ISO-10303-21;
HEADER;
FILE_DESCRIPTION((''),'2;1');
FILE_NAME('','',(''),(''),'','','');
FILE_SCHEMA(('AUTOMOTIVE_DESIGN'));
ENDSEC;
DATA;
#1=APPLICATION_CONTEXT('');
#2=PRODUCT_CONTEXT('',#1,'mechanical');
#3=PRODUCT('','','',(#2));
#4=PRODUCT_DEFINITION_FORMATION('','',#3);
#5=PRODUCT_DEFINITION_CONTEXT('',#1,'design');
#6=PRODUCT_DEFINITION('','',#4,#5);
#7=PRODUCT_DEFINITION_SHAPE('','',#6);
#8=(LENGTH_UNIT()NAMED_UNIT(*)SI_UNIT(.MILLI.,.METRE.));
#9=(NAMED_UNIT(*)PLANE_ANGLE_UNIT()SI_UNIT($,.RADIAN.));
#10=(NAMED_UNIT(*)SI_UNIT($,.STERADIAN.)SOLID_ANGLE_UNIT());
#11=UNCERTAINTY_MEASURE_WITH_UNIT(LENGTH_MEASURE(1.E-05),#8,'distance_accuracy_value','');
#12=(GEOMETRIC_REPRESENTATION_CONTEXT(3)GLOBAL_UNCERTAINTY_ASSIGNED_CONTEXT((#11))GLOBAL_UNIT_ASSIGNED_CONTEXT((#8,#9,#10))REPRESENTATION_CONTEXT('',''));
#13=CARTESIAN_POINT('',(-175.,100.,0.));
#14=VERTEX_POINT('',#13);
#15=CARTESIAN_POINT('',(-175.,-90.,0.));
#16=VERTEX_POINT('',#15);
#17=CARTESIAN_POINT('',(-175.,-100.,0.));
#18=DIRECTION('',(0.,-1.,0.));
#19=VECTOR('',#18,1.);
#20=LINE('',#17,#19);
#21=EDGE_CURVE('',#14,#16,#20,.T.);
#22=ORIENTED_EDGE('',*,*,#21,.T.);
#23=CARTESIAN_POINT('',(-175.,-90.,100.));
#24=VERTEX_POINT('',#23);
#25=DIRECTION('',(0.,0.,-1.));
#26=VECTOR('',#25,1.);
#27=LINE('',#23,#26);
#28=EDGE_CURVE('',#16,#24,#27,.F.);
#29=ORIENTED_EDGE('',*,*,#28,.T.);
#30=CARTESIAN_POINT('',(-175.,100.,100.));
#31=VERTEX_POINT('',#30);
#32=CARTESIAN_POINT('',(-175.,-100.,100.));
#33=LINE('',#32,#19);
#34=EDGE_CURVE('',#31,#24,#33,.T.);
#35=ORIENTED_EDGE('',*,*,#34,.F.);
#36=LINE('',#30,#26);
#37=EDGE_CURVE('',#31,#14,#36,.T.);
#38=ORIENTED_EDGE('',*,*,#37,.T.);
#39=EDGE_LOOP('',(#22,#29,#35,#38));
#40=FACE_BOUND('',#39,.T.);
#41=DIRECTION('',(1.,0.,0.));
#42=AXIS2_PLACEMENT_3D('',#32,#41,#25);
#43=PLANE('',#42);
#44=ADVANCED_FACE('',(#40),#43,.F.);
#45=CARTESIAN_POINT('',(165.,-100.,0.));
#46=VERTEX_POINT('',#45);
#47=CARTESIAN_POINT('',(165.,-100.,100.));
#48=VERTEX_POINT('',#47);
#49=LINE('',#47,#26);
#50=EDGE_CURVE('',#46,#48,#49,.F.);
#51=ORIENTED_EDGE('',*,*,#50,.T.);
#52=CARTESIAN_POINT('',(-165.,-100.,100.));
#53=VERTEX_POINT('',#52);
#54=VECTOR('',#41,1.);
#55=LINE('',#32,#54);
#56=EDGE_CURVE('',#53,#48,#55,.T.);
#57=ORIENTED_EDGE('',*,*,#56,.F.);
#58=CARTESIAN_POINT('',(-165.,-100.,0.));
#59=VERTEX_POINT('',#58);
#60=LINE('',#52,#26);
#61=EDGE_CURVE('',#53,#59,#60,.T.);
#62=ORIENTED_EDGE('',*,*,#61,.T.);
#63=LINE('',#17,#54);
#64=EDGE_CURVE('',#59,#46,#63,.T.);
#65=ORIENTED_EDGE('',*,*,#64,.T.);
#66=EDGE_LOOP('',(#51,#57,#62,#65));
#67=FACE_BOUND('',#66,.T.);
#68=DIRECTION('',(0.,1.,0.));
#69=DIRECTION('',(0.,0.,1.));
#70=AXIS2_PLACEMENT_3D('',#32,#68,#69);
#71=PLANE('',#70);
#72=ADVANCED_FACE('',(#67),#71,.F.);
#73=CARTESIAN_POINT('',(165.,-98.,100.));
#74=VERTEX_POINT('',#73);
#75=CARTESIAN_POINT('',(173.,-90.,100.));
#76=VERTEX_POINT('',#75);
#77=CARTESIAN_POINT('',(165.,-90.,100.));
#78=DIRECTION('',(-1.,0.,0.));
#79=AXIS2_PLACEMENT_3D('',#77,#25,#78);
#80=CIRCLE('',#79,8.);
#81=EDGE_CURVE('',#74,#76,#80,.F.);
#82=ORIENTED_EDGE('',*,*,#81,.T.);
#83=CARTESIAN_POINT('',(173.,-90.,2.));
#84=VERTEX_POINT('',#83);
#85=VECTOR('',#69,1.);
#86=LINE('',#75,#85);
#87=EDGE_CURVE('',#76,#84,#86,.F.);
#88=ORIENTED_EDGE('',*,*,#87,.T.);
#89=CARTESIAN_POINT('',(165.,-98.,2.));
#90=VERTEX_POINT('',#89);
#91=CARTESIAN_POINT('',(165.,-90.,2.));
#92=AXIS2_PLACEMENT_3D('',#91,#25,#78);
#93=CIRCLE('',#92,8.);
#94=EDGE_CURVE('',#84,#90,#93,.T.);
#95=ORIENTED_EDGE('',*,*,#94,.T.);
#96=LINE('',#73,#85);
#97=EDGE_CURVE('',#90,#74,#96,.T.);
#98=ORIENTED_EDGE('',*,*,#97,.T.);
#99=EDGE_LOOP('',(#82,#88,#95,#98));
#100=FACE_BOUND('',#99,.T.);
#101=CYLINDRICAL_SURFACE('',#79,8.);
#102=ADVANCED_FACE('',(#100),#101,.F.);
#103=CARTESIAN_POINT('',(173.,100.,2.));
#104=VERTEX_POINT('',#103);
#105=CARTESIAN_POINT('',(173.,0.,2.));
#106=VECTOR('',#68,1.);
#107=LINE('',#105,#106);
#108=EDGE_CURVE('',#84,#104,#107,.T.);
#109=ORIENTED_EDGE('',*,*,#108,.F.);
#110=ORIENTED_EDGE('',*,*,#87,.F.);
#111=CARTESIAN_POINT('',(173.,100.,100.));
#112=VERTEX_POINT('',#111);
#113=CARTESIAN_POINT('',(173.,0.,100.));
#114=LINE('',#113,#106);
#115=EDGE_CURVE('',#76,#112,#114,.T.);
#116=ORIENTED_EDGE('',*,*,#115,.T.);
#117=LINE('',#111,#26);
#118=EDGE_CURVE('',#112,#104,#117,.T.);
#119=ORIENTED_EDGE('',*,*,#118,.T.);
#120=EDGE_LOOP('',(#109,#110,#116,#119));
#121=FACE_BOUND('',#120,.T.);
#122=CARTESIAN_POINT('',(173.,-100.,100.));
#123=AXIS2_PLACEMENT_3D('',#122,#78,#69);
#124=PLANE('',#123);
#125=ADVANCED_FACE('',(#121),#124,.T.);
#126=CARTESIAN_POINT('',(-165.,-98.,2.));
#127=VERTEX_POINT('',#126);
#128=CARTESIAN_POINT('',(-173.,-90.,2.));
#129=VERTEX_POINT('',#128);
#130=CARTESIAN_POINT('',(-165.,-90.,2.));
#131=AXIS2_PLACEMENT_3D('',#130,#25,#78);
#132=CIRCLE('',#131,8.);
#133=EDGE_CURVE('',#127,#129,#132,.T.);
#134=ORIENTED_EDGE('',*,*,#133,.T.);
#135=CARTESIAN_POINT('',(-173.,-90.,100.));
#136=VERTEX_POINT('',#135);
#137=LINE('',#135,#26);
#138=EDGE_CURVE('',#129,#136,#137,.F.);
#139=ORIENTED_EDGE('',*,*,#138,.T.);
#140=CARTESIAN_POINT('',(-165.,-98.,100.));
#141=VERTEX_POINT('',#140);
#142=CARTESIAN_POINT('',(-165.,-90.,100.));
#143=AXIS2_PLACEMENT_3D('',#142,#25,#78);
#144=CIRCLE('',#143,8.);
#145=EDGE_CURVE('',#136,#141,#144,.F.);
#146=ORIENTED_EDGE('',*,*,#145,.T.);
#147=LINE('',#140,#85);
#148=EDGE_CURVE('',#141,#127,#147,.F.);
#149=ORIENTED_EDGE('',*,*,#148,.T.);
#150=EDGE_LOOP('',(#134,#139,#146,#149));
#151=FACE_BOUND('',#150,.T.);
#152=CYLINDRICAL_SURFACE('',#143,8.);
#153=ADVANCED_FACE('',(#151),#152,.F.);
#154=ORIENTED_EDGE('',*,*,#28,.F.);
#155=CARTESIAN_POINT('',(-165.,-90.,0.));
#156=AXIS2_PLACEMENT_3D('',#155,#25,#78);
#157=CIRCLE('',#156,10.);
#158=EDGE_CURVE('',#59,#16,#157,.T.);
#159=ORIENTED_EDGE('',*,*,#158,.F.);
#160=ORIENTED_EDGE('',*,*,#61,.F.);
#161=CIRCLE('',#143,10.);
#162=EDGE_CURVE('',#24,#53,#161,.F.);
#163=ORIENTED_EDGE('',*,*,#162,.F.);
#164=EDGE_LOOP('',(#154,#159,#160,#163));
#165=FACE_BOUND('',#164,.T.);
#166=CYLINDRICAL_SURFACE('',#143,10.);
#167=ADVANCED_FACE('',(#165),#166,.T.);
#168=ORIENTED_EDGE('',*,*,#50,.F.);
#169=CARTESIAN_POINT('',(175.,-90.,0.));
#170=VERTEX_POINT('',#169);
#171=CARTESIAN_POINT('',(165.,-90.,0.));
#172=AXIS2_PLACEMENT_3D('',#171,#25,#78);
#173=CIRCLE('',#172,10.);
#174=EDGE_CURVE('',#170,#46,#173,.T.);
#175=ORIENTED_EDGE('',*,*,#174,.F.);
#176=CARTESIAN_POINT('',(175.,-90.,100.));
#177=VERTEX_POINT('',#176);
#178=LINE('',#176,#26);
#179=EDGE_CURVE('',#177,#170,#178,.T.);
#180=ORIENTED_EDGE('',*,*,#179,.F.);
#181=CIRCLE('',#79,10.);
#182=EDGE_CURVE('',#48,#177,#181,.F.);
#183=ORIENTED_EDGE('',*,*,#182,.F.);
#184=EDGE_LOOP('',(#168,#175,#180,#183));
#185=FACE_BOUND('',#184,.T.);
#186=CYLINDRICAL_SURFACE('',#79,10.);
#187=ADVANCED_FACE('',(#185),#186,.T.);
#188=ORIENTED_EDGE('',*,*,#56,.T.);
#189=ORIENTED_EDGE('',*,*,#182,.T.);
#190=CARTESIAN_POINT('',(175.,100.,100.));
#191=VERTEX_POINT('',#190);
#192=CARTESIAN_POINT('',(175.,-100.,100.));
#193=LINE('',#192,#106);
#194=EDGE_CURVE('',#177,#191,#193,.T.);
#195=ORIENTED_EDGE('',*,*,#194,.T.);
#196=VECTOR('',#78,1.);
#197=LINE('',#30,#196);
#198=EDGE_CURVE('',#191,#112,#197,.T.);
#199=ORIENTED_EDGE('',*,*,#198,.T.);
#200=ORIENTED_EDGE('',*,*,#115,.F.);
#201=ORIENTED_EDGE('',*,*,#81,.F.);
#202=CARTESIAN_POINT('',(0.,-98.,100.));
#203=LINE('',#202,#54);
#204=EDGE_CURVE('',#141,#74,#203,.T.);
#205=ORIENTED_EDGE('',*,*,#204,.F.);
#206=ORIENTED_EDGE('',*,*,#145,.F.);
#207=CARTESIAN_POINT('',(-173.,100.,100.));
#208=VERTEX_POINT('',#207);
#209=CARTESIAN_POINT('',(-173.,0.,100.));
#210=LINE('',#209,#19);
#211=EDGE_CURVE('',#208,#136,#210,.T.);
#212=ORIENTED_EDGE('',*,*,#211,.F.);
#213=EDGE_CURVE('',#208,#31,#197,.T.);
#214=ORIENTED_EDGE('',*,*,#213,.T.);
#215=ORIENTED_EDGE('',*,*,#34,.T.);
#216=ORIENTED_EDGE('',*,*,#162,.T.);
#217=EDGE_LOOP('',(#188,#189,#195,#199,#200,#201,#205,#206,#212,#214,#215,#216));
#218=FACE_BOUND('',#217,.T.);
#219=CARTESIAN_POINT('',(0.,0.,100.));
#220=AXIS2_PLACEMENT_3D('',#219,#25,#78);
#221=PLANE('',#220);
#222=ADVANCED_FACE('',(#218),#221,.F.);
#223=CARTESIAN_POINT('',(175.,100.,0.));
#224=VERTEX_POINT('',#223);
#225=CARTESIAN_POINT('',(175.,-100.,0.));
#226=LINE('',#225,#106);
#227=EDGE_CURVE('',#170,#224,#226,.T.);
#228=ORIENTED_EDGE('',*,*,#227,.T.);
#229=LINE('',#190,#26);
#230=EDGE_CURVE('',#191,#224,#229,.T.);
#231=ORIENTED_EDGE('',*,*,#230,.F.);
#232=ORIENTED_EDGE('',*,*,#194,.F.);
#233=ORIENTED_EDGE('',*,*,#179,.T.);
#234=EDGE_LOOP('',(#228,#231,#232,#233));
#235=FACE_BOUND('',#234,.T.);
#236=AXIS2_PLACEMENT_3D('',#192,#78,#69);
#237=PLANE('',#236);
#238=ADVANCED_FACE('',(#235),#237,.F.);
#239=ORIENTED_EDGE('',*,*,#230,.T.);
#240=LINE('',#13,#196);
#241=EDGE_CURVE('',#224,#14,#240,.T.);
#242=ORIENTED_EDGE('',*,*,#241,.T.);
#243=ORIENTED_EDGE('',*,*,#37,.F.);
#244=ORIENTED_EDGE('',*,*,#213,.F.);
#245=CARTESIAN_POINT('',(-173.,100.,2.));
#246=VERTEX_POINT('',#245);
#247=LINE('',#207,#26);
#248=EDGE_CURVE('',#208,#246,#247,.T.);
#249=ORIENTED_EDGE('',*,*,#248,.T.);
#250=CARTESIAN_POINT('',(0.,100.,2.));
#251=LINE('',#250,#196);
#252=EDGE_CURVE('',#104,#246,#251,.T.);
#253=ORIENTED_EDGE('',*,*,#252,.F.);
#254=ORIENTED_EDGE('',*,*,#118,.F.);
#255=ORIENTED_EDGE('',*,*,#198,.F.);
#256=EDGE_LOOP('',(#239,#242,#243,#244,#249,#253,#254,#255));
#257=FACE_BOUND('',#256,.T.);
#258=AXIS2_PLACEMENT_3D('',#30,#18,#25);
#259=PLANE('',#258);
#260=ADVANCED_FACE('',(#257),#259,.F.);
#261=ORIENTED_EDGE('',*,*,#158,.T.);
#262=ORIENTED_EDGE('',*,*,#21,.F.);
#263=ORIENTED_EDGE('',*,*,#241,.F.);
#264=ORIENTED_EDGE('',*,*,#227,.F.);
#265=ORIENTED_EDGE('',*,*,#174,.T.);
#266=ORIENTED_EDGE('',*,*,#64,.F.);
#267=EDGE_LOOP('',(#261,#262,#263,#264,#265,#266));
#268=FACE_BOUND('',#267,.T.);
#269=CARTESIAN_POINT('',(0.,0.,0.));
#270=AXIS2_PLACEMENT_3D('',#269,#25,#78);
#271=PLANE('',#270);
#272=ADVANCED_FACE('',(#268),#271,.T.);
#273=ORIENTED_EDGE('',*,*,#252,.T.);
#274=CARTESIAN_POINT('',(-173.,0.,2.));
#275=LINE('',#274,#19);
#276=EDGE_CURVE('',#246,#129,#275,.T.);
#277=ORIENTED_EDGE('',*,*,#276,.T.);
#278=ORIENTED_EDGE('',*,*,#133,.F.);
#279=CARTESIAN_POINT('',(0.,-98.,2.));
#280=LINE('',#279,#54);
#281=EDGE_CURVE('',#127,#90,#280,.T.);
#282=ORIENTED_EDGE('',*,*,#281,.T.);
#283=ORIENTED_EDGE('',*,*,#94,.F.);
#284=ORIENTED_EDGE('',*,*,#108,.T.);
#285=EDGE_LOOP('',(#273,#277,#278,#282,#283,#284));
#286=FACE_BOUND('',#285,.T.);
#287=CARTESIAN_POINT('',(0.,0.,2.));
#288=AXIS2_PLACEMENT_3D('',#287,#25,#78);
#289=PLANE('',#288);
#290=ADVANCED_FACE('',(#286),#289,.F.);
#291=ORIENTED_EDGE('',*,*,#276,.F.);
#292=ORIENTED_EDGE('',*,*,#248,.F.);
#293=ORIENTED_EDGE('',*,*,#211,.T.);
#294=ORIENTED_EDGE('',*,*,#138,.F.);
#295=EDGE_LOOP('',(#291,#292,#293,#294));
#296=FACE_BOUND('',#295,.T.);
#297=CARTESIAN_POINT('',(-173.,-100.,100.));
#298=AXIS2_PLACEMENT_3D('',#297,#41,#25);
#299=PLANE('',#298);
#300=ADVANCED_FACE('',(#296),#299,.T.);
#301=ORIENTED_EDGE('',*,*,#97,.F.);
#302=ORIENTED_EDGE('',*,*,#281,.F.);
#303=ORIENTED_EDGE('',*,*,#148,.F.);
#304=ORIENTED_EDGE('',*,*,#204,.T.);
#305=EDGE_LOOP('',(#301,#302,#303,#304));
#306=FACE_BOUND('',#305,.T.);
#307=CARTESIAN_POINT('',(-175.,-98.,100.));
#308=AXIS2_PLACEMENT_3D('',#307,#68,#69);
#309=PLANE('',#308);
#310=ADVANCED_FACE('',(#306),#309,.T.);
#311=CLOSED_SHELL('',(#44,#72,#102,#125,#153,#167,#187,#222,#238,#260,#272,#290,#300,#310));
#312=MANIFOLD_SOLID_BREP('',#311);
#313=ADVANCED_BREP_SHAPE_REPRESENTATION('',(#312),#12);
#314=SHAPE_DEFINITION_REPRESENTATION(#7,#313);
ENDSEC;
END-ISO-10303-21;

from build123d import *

# Parameters (mm, degrees)
SKETCH_1_W      = 350
SKETCH_1_H      = 200
EXTRUDE_1_DEPTH = 100
FILLET_1_R      = 10
SHELL_1_T       = -2


with BuildPart() as part:
    # 草图1 → 凸台-拉伸1 (new body)
    with BuildSketch(Plane.XY):
        Rectangle(SKETCH_1_W, SKETCH_1_H)
    extrude(amount=EXTRUDE_1_DEPTH)

    # 圆角1
    fillet_1_edges = [part.edges().sort_by_distance(p)[0] for p in [
        (175, -100, 50),
        (-175, -100, 50),
    ]]
    fillet(fillet_1_edges, radius=FILLET_1_R)

    # 抽壳1
    shell_1_openings = [part.faces().sort_by_distance(p)[0] for p in [
        (0, 0.059982012, 100),
        (0, 100, 50),
    ]]
    offset(amount=SHELL_1_T, openings=shell_1_openings, kind=Kind.INTERSECTION)


solid = part.part
